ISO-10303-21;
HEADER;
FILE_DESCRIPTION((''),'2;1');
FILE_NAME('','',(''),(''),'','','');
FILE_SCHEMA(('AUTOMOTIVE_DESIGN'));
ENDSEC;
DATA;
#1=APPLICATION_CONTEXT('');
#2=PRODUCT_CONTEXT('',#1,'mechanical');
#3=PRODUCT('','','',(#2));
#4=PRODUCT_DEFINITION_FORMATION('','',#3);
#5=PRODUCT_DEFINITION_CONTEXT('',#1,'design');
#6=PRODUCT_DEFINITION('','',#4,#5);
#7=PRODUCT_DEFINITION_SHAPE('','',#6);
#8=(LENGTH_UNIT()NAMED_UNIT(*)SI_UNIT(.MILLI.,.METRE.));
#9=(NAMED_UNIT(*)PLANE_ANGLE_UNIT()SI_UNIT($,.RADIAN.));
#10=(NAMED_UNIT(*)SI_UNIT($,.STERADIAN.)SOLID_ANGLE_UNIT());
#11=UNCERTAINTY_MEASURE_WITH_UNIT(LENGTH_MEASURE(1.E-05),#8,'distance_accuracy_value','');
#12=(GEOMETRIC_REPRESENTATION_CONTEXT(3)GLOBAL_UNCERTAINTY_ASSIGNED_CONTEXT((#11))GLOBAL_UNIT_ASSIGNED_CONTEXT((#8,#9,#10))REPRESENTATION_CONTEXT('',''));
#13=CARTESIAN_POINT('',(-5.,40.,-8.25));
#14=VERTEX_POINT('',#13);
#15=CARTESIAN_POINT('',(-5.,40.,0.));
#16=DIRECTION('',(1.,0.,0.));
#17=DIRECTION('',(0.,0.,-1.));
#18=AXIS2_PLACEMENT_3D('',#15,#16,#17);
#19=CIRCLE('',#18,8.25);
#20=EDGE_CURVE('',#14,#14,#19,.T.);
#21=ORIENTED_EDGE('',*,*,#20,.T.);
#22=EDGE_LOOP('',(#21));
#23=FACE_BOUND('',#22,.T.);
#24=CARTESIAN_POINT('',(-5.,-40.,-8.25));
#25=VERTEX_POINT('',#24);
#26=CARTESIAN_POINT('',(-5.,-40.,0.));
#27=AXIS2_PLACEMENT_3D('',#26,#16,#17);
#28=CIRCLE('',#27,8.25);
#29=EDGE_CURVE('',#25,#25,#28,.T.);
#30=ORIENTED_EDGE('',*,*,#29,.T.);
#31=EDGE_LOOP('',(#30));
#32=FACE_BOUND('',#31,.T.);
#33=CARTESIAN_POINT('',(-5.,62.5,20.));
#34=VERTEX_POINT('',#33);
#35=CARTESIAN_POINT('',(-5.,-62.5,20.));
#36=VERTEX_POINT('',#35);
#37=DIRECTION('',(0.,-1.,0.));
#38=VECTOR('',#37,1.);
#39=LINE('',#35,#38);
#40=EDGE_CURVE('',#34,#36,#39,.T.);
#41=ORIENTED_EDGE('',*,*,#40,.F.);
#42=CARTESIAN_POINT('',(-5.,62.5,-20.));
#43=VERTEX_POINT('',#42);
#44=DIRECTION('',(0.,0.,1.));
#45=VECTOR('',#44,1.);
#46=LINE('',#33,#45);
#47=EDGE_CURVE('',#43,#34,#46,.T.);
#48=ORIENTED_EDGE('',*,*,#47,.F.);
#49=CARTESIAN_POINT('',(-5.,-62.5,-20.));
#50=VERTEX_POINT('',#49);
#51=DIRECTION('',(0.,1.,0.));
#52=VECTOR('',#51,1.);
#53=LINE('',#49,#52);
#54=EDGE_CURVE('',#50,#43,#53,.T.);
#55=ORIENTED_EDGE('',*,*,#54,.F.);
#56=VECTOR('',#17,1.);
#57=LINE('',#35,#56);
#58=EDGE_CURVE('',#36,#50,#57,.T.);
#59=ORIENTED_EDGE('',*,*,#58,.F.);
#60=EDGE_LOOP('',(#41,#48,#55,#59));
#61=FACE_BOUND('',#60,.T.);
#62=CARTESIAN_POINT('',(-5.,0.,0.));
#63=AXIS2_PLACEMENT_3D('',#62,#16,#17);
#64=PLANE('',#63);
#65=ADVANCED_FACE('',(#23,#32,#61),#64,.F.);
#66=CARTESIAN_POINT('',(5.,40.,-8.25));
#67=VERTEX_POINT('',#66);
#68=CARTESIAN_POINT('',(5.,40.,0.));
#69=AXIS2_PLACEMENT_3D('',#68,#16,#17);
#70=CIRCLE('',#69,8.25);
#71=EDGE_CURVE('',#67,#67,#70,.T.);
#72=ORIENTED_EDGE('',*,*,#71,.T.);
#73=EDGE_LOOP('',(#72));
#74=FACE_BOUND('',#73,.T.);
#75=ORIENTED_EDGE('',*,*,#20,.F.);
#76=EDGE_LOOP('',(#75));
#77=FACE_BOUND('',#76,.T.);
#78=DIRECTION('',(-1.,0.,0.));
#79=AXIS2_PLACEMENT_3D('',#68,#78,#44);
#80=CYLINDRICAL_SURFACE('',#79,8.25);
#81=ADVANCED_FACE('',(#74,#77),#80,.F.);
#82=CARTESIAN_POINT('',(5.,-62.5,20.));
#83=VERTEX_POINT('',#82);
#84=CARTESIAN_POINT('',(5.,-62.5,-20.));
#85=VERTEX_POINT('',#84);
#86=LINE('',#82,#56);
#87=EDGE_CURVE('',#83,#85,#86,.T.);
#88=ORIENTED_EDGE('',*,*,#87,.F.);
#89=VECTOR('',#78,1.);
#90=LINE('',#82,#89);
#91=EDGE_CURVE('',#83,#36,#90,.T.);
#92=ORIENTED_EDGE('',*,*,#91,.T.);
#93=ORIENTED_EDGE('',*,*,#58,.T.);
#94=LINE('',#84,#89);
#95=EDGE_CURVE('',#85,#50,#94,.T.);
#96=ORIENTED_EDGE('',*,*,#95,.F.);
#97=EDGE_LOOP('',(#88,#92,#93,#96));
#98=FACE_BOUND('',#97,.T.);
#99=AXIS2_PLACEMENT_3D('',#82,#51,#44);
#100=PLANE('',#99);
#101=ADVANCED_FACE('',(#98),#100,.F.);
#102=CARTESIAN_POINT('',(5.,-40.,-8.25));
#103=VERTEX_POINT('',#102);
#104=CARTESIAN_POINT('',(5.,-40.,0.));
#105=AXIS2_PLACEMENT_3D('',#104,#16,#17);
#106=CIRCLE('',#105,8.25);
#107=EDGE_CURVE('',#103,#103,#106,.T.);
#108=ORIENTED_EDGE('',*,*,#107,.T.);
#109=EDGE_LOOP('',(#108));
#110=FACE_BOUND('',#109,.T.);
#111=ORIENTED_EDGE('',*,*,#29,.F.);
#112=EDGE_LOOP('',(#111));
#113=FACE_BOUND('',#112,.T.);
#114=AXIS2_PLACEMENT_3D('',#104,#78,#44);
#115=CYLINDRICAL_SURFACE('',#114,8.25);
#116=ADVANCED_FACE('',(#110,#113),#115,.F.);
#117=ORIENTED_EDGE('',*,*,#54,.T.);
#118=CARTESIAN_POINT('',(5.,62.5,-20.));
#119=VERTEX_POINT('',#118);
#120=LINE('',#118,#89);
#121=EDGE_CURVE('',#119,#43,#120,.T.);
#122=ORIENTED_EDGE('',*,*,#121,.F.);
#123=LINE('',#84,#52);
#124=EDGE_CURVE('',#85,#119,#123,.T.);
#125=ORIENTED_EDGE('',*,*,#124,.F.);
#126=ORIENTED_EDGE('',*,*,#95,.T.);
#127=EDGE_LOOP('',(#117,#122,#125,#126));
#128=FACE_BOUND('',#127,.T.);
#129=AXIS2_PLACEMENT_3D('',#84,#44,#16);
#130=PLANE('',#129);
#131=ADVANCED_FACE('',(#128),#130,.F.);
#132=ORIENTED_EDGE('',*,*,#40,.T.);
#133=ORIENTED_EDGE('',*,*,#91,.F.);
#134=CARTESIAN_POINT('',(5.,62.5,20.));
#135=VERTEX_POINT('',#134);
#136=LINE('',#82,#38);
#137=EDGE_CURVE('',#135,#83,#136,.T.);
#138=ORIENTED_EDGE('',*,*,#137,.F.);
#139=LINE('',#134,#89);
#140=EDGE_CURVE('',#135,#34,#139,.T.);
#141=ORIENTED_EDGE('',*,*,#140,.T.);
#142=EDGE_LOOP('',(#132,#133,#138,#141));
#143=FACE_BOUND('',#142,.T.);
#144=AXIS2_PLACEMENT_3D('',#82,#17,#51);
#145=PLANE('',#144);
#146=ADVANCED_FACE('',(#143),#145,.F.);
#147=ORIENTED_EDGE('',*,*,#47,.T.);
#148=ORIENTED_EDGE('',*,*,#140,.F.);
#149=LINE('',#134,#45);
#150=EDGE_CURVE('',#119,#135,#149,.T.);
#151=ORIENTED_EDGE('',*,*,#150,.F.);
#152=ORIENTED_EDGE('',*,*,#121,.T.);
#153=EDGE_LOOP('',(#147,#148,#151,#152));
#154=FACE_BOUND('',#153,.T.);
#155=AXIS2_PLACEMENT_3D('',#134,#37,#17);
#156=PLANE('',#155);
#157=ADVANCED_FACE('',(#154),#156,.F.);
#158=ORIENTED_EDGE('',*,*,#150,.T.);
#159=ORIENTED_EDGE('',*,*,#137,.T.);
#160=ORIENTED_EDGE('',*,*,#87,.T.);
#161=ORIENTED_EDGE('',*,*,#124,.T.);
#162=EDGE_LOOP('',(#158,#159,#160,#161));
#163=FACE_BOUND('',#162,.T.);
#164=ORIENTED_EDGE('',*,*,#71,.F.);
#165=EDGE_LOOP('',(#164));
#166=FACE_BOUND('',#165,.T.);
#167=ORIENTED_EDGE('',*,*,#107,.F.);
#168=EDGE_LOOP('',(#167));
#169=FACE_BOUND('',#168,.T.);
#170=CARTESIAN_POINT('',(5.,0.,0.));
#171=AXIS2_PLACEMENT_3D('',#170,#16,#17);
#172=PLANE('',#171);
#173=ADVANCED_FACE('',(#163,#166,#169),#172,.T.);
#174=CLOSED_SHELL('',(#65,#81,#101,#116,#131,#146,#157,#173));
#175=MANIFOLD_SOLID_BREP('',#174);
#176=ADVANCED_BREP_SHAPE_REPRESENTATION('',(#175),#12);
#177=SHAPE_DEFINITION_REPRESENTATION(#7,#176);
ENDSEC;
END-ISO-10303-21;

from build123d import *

# Parameters (mm, degrees)
SKETCH1_W           = 125
SKETCH1_H           = 40
SKETCH1_R           = 8.25
BOSS_EXTRUDE1_DEPTH = 5


with BuildPart() as part:
    # Sketch1 → Boss-Extrude1 (new, symmetric)
    with BuildSketch(Plane.YZ):
        Rectangle(SKETCH1_W, SKETCH1_H)
        with Locations(Location((-40, 0, 0), (0, 0, 270))):
            Circle(SKETCH1_R, mode=Mode.SUBTRACT)
        with Locations(Location((40, 0, 0), (0, 0, 270))):
            Circle(SKETCH1_R, mode=Mode.SUBTRACT)
    extrude(amount=BOSS_EXTRUDE1_DEPTH, both=True)


solid = part.part
